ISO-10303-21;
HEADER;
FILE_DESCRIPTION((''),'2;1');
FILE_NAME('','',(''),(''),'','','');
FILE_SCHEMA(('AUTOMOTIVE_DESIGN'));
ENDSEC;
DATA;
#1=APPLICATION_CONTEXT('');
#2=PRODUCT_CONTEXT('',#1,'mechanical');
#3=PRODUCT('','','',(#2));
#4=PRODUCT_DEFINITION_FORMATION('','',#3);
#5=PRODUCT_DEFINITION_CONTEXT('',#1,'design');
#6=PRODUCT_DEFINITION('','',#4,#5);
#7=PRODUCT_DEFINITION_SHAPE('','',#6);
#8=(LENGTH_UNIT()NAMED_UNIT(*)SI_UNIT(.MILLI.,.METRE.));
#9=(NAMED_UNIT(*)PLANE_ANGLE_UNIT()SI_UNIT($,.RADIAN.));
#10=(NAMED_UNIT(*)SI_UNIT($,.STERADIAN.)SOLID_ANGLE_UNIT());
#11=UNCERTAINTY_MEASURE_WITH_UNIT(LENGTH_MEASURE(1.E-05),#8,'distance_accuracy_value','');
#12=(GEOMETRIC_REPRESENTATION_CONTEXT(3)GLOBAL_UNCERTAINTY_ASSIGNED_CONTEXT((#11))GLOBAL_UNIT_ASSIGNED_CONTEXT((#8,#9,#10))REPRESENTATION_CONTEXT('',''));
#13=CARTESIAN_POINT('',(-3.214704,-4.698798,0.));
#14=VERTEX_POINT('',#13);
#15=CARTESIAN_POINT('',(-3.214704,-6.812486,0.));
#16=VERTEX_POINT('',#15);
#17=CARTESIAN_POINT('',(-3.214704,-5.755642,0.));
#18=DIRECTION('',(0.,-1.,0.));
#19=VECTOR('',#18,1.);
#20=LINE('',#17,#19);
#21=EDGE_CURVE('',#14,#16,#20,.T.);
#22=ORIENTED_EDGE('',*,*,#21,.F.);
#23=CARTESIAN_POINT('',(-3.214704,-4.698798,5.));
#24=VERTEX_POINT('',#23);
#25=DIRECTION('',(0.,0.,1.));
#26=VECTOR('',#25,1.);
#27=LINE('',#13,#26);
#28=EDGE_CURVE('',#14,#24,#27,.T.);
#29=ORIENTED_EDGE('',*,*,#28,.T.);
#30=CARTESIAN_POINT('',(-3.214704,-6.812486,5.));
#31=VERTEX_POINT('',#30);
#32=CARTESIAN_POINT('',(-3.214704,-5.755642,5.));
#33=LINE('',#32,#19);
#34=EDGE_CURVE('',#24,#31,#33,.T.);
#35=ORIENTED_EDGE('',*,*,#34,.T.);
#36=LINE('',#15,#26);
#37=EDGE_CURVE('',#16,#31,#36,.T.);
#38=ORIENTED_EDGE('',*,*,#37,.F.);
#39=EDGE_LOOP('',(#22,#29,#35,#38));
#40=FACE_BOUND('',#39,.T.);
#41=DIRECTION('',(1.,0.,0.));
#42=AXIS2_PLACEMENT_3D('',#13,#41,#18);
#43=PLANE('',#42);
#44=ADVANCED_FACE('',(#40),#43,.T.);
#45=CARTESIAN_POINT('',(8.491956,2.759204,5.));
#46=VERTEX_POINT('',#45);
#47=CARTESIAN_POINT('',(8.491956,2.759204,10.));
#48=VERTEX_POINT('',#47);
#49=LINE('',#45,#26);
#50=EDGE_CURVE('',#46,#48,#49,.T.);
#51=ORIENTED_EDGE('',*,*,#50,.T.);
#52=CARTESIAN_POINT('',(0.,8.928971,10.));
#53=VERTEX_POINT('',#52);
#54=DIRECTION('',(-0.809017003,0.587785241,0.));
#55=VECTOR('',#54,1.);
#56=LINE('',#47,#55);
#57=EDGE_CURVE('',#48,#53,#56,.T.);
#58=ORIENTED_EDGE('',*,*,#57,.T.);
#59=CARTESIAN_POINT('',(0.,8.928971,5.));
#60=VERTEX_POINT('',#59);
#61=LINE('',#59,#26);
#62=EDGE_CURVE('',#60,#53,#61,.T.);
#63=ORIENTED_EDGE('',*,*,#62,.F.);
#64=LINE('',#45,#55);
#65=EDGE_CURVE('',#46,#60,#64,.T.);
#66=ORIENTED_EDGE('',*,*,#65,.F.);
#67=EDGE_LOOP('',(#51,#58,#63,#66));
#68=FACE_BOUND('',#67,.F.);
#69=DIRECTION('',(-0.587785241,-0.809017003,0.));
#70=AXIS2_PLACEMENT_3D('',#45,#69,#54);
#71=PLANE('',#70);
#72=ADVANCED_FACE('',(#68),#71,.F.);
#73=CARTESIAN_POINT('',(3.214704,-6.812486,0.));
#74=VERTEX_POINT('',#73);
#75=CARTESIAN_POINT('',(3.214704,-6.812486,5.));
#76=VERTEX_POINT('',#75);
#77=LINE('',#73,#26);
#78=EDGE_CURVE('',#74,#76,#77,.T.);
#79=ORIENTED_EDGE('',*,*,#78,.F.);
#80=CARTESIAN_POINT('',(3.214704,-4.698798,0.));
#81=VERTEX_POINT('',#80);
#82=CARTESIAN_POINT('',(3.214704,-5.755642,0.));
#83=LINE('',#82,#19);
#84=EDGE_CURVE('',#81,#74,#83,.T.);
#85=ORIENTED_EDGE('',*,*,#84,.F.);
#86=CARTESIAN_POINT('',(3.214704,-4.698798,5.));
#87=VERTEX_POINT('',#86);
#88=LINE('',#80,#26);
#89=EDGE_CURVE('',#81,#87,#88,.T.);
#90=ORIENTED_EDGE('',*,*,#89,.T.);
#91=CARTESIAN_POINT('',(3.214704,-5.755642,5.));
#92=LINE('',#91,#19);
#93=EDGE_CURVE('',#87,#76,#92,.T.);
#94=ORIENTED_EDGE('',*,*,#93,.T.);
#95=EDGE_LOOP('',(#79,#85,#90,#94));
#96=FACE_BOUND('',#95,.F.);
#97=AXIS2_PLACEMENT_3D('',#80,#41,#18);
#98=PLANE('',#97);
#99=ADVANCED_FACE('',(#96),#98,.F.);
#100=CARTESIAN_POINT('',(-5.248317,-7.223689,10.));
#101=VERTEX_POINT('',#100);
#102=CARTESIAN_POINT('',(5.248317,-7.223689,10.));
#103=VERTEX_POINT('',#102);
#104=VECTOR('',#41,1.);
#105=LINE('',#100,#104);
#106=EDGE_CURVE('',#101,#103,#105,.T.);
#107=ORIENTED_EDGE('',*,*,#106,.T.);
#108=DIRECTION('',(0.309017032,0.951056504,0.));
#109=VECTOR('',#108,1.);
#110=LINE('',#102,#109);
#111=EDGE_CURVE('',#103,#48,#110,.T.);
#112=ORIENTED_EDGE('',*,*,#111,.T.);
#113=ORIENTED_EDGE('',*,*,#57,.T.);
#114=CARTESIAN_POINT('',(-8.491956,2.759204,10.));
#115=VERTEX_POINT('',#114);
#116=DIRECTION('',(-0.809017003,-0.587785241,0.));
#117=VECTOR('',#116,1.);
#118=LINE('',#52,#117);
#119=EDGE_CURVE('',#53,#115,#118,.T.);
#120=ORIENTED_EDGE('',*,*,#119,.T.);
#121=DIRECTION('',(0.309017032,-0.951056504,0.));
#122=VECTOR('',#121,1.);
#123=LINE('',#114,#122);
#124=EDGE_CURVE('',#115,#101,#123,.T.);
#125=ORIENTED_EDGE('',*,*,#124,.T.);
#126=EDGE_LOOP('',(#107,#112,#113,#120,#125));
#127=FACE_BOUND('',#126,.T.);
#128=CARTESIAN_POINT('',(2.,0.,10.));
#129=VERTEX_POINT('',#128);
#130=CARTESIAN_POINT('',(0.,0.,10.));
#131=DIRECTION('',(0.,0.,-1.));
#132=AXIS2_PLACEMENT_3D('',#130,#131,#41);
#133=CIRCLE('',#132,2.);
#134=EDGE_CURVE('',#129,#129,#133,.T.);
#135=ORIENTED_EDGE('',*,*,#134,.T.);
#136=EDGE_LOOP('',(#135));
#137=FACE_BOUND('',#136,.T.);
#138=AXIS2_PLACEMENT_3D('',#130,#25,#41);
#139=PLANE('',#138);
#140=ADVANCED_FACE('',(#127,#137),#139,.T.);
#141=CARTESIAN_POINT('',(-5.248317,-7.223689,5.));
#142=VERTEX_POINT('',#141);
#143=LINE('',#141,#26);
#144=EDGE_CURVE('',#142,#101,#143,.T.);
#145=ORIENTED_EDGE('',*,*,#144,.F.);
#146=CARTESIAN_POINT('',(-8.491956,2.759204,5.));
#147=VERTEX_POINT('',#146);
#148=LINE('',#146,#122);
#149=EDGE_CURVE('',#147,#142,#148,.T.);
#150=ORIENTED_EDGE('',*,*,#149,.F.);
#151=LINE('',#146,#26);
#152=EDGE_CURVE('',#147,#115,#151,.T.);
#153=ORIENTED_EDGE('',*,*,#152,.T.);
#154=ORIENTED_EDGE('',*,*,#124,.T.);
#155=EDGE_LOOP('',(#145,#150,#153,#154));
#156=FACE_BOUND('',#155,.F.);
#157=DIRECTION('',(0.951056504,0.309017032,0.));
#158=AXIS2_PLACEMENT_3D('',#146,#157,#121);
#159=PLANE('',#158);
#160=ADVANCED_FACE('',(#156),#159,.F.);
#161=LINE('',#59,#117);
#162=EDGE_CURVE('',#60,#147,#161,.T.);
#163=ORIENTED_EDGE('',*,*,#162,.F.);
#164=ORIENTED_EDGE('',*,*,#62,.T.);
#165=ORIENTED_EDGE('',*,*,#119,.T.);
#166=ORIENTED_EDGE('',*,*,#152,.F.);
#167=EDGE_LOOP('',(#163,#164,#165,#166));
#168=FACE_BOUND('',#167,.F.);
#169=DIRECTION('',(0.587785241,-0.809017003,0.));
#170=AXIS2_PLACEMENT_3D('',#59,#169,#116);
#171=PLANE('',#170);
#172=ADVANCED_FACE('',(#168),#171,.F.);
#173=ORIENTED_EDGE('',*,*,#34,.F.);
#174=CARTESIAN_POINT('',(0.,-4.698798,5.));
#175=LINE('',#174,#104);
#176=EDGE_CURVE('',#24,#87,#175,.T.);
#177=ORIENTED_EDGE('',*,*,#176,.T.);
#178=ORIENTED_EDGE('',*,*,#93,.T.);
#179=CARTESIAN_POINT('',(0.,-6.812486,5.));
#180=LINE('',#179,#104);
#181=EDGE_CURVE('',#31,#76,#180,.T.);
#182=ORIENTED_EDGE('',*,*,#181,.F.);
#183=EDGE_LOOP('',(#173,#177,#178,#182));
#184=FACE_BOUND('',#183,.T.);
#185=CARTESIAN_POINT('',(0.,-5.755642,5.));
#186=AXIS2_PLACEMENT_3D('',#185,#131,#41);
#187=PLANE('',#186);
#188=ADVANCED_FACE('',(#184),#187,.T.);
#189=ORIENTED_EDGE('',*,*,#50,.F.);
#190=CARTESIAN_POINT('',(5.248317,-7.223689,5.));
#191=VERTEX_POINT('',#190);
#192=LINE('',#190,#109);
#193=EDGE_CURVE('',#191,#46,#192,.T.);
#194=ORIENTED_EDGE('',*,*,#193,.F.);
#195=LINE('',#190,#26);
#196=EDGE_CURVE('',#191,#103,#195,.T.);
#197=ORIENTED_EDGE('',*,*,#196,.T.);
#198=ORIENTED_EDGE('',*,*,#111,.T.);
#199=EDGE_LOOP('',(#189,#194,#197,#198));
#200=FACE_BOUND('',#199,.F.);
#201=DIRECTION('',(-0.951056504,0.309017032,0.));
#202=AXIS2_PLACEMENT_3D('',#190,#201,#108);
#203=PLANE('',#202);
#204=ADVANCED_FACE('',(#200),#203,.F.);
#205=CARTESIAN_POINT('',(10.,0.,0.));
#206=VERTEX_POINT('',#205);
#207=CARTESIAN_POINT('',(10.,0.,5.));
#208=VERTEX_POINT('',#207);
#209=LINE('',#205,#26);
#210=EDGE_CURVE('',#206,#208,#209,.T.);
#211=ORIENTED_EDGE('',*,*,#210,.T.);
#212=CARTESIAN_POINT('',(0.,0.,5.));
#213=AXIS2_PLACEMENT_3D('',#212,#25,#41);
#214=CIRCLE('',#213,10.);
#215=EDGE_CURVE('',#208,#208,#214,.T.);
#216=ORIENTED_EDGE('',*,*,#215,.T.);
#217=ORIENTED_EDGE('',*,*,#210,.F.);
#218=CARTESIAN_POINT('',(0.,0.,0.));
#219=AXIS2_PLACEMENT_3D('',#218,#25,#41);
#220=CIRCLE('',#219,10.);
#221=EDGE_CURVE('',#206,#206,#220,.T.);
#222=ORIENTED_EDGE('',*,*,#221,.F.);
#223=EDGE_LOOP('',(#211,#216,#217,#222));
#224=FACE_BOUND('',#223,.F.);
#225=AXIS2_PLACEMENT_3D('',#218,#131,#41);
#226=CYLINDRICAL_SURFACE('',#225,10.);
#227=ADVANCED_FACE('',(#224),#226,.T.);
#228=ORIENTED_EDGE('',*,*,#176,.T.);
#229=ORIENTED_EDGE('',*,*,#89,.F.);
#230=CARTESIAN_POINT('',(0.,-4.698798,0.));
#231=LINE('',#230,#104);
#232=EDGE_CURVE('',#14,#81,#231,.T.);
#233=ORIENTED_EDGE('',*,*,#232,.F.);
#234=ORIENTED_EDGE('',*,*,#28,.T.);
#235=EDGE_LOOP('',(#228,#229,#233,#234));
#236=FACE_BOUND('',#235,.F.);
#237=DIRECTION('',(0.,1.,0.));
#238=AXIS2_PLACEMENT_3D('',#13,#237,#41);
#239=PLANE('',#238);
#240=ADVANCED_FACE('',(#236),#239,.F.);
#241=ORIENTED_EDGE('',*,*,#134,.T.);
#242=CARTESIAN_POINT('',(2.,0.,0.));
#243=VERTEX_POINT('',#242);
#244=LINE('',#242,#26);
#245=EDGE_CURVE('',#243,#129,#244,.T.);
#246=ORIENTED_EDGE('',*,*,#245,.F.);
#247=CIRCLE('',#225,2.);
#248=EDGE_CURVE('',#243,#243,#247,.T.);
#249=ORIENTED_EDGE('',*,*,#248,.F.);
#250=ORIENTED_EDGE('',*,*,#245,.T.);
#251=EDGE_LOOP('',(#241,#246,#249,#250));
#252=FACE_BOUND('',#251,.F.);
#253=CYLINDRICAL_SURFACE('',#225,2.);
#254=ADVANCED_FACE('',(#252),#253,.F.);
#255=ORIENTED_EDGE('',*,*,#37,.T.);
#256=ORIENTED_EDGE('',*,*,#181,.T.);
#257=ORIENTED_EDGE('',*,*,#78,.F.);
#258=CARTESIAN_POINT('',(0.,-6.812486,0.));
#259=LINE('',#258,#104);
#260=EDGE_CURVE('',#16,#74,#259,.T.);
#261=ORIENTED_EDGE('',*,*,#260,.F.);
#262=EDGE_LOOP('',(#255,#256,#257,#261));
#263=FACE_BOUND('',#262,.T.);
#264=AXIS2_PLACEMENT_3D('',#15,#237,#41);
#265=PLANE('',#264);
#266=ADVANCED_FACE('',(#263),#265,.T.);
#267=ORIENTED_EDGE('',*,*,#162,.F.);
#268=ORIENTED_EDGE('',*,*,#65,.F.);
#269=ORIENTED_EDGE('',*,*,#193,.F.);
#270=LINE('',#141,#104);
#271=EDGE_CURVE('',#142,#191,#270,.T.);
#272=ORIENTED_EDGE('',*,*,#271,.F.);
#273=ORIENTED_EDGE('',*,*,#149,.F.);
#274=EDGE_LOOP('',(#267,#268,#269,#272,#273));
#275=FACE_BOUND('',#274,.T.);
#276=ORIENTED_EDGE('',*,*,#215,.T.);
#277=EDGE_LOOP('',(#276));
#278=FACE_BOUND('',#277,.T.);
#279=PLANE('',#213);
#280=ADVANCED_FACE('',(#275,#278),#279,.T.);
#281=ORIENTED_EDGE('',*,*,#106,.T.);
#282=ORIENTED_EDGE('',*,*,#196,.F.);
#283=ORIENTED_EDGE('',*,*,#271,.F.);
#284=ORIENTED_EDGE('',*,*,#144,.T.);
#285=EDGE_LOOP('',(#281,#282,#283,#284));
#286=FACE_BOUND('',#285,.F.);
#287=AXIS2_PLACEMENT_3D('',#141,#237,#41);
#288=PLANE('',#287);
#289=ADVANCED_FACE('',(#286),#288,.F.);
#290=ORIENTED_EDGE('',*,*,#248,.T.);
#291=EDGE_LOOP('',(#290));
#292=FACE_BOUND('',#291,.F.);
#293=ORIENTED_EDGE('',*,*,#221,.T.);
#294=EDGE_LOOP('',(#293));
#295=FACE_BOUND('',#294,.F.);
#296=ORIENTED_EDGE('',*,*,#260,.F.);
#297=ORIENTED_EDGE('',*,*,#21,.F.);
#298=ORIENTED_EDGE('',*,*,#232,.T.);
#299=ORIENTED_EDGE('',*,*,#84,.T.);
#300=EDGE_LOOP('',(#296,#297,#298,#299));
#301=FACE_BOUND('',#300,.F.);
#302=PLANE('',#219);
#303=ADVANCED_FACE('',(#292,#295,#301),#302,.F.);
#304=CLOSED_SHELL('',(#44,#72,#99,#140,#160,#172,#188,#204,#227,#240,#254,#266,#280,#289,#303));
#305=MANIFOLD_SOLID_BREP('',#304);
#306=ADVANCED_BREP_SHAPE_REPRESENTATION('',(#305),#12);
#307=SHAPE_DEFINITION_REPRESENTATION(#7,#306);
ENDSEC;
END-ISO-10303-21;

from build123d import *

# Parameters (mm, degrees)
SKETCH_R        = 10
PAD_DEPTH       = 5
PAD001_DEPTH    = 5
SKETCH002_W     = 6.429408
SKETCH002_H     = 2.113688
POCKET_DEPTH    = 5
SKETCH003_R     = 2
POCKET001_DEPTH = 10.001


with BuildPart() as part:
    # Sketch → Pad (new body)
    with BuildSketch(Plane.XY):
        Circle(SKETCH_R)
    extrude(amount=PAD_DEPTH)

    # Sketch001 (on Face3 of Pad) → Pad001 (join)
    with BuildSketch(Plane.XY.offset(5)):
        Polygon((0, 8.928971), (-8.491956, 2.759204), (-5.248317, -7.223689), (5.248317, -7.223689), (8.491956, 2.759204), align=None)
    extrude(amount=PAD001_DEPTH)

    # Sketch002 (on Face2 of Pad001) → Pocket (cut)
    with BuildSketch(Plane(origin=(0, 0, 0), x_dir=(1, 0, 0), z_dir=(0, 0, -1))):
        with Locations((0, 5.755642)):
            Rectangle(SKETCH002_W, SKETCH002_H)
    extrude(amount=-POCKET_DEPTH, mode=Mode.SUBTRACT)

    # Sketch003 (on Face2 of Pocket) → Pocket001 (cut, through all)
    with BuildSketch(Plane(origin=(0, 0, 0), x_dir=(1, 0, 0), z_dir=(0, 0, -1))):
        Circle(SKETCH003_R)
    extrude(amount=-POCKET001_DEPTH, mode=Mode.SUBTRACT)


solid = part.part
